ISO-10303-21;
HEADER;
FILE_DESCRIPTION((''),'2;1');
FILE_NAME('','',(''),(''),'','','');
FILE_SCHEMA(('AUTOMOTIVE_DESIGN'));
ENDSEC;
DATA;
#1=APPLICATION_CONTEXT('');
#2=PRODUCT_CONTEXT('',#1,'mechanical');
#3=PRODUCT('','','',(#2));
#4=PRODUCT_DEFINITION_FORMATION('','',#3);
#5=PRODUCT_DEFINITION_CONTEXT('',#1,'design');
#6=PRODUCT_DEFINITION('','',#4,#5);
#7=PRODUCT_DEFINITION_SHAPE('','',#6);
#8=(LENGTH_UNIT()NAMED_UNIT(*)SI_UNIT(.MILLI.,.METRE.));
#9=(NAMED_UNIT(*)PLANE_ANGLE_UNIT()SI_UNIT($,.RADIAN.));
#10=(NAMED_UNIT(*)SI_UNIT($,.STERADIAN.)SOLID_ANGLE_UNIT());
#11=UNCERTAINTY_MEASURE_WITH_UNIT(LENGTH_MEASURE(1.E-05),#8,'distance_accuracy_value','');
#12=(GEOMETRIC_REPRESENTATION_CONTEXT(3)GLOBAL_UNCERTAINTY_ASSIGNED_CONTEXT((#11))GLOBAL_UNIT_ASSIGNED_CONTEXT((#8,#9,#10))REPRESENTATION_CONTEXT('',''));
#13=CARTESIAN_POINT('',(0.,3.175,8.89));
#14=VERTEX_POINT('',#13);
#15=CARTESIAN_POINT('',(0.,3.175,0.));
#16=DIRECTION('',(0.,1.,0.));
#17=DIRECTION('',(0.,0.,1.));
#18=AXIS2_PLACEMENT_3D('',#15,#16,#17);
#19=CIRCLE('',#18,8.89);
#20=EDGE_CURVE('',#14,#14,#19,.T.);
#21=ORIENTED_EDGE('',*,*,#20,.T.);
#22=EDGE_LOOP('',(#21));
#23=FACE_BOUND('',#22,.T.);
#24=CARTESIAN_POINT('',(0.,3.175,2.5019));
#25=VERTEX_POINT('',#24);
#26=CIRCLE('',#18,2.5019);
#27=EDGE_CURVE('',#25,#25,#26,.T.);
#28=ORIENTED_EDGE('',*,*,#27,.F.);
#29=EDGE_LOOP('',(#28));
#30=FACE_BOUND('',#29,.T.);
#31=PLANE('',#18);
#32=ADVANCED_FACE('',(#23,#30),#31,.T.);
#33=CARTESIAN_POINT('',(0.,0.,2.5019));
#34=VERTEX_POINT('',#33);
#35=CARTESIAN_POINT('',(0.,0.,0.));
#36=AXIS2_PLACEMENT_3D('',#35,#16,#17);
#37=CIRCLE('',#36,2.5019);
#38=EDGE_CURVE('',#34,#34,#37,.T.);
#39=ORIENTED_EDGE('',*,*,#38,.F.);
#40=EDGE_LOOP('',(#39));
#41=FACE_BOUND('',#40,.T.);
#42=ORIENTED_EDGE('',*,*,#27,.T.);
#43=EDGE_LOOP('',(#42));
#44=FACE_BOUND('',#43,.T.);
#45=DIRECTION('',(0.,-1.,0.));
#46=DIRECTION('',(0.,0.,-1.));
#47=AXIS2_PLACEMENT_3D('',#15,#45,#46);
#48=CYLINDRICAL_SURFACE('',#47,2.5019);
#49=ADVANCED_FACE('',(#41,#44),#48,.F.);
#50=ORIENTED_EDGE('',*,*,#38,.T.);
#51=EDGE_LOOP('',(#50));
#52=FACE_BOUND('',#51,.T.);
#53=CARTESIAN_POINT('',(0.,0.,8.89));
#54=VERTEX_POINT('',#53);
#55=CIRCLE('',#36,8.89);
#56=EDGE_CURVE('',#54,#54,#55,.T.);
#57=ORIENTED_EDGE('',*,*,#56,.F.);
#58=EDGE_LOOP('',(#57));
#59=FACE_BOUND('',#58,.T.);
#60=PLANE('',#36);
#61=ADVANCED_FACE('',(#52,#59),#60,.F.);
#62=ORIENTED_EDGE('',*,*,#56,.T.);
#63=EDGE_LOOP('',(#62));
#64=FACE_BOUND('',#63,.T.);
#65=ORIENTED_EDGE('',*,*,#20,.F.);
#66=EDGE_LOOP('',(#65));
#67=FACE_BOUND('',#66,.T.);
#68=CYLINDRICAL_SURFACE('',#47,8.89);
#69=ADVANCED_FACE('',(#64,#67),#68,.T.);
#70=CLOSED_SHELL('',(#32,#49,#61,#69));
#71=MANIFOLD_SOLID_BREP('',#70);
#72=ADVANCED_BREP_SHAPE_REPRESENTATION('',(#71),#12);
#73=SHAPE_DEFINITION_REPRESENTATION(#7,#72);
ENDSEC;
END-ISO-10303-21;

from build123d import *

# Parameters (mm, degrees)
SKETCH1_R           = 8.89
SKETCH1_R_2         = 2.5019
BOSS_EXTRUDE1_DEPTH = 3.175


with BuildPart() as part:
    # Sketch1 → Boss-Extrude1 (new body)
    with BuildSketch(Plane(origin=(0, 0, 0), x_dir=(1, 0, 0), z_dir=(0, 1, 0))):
        Circle(SKETCH1_R)
        Circle(SKETCH1_R_2, mode=Mode.SUBTRACT)
    extrude(amount=BOSS_EXTRUDE1_DEPTH)


solid = part.part
